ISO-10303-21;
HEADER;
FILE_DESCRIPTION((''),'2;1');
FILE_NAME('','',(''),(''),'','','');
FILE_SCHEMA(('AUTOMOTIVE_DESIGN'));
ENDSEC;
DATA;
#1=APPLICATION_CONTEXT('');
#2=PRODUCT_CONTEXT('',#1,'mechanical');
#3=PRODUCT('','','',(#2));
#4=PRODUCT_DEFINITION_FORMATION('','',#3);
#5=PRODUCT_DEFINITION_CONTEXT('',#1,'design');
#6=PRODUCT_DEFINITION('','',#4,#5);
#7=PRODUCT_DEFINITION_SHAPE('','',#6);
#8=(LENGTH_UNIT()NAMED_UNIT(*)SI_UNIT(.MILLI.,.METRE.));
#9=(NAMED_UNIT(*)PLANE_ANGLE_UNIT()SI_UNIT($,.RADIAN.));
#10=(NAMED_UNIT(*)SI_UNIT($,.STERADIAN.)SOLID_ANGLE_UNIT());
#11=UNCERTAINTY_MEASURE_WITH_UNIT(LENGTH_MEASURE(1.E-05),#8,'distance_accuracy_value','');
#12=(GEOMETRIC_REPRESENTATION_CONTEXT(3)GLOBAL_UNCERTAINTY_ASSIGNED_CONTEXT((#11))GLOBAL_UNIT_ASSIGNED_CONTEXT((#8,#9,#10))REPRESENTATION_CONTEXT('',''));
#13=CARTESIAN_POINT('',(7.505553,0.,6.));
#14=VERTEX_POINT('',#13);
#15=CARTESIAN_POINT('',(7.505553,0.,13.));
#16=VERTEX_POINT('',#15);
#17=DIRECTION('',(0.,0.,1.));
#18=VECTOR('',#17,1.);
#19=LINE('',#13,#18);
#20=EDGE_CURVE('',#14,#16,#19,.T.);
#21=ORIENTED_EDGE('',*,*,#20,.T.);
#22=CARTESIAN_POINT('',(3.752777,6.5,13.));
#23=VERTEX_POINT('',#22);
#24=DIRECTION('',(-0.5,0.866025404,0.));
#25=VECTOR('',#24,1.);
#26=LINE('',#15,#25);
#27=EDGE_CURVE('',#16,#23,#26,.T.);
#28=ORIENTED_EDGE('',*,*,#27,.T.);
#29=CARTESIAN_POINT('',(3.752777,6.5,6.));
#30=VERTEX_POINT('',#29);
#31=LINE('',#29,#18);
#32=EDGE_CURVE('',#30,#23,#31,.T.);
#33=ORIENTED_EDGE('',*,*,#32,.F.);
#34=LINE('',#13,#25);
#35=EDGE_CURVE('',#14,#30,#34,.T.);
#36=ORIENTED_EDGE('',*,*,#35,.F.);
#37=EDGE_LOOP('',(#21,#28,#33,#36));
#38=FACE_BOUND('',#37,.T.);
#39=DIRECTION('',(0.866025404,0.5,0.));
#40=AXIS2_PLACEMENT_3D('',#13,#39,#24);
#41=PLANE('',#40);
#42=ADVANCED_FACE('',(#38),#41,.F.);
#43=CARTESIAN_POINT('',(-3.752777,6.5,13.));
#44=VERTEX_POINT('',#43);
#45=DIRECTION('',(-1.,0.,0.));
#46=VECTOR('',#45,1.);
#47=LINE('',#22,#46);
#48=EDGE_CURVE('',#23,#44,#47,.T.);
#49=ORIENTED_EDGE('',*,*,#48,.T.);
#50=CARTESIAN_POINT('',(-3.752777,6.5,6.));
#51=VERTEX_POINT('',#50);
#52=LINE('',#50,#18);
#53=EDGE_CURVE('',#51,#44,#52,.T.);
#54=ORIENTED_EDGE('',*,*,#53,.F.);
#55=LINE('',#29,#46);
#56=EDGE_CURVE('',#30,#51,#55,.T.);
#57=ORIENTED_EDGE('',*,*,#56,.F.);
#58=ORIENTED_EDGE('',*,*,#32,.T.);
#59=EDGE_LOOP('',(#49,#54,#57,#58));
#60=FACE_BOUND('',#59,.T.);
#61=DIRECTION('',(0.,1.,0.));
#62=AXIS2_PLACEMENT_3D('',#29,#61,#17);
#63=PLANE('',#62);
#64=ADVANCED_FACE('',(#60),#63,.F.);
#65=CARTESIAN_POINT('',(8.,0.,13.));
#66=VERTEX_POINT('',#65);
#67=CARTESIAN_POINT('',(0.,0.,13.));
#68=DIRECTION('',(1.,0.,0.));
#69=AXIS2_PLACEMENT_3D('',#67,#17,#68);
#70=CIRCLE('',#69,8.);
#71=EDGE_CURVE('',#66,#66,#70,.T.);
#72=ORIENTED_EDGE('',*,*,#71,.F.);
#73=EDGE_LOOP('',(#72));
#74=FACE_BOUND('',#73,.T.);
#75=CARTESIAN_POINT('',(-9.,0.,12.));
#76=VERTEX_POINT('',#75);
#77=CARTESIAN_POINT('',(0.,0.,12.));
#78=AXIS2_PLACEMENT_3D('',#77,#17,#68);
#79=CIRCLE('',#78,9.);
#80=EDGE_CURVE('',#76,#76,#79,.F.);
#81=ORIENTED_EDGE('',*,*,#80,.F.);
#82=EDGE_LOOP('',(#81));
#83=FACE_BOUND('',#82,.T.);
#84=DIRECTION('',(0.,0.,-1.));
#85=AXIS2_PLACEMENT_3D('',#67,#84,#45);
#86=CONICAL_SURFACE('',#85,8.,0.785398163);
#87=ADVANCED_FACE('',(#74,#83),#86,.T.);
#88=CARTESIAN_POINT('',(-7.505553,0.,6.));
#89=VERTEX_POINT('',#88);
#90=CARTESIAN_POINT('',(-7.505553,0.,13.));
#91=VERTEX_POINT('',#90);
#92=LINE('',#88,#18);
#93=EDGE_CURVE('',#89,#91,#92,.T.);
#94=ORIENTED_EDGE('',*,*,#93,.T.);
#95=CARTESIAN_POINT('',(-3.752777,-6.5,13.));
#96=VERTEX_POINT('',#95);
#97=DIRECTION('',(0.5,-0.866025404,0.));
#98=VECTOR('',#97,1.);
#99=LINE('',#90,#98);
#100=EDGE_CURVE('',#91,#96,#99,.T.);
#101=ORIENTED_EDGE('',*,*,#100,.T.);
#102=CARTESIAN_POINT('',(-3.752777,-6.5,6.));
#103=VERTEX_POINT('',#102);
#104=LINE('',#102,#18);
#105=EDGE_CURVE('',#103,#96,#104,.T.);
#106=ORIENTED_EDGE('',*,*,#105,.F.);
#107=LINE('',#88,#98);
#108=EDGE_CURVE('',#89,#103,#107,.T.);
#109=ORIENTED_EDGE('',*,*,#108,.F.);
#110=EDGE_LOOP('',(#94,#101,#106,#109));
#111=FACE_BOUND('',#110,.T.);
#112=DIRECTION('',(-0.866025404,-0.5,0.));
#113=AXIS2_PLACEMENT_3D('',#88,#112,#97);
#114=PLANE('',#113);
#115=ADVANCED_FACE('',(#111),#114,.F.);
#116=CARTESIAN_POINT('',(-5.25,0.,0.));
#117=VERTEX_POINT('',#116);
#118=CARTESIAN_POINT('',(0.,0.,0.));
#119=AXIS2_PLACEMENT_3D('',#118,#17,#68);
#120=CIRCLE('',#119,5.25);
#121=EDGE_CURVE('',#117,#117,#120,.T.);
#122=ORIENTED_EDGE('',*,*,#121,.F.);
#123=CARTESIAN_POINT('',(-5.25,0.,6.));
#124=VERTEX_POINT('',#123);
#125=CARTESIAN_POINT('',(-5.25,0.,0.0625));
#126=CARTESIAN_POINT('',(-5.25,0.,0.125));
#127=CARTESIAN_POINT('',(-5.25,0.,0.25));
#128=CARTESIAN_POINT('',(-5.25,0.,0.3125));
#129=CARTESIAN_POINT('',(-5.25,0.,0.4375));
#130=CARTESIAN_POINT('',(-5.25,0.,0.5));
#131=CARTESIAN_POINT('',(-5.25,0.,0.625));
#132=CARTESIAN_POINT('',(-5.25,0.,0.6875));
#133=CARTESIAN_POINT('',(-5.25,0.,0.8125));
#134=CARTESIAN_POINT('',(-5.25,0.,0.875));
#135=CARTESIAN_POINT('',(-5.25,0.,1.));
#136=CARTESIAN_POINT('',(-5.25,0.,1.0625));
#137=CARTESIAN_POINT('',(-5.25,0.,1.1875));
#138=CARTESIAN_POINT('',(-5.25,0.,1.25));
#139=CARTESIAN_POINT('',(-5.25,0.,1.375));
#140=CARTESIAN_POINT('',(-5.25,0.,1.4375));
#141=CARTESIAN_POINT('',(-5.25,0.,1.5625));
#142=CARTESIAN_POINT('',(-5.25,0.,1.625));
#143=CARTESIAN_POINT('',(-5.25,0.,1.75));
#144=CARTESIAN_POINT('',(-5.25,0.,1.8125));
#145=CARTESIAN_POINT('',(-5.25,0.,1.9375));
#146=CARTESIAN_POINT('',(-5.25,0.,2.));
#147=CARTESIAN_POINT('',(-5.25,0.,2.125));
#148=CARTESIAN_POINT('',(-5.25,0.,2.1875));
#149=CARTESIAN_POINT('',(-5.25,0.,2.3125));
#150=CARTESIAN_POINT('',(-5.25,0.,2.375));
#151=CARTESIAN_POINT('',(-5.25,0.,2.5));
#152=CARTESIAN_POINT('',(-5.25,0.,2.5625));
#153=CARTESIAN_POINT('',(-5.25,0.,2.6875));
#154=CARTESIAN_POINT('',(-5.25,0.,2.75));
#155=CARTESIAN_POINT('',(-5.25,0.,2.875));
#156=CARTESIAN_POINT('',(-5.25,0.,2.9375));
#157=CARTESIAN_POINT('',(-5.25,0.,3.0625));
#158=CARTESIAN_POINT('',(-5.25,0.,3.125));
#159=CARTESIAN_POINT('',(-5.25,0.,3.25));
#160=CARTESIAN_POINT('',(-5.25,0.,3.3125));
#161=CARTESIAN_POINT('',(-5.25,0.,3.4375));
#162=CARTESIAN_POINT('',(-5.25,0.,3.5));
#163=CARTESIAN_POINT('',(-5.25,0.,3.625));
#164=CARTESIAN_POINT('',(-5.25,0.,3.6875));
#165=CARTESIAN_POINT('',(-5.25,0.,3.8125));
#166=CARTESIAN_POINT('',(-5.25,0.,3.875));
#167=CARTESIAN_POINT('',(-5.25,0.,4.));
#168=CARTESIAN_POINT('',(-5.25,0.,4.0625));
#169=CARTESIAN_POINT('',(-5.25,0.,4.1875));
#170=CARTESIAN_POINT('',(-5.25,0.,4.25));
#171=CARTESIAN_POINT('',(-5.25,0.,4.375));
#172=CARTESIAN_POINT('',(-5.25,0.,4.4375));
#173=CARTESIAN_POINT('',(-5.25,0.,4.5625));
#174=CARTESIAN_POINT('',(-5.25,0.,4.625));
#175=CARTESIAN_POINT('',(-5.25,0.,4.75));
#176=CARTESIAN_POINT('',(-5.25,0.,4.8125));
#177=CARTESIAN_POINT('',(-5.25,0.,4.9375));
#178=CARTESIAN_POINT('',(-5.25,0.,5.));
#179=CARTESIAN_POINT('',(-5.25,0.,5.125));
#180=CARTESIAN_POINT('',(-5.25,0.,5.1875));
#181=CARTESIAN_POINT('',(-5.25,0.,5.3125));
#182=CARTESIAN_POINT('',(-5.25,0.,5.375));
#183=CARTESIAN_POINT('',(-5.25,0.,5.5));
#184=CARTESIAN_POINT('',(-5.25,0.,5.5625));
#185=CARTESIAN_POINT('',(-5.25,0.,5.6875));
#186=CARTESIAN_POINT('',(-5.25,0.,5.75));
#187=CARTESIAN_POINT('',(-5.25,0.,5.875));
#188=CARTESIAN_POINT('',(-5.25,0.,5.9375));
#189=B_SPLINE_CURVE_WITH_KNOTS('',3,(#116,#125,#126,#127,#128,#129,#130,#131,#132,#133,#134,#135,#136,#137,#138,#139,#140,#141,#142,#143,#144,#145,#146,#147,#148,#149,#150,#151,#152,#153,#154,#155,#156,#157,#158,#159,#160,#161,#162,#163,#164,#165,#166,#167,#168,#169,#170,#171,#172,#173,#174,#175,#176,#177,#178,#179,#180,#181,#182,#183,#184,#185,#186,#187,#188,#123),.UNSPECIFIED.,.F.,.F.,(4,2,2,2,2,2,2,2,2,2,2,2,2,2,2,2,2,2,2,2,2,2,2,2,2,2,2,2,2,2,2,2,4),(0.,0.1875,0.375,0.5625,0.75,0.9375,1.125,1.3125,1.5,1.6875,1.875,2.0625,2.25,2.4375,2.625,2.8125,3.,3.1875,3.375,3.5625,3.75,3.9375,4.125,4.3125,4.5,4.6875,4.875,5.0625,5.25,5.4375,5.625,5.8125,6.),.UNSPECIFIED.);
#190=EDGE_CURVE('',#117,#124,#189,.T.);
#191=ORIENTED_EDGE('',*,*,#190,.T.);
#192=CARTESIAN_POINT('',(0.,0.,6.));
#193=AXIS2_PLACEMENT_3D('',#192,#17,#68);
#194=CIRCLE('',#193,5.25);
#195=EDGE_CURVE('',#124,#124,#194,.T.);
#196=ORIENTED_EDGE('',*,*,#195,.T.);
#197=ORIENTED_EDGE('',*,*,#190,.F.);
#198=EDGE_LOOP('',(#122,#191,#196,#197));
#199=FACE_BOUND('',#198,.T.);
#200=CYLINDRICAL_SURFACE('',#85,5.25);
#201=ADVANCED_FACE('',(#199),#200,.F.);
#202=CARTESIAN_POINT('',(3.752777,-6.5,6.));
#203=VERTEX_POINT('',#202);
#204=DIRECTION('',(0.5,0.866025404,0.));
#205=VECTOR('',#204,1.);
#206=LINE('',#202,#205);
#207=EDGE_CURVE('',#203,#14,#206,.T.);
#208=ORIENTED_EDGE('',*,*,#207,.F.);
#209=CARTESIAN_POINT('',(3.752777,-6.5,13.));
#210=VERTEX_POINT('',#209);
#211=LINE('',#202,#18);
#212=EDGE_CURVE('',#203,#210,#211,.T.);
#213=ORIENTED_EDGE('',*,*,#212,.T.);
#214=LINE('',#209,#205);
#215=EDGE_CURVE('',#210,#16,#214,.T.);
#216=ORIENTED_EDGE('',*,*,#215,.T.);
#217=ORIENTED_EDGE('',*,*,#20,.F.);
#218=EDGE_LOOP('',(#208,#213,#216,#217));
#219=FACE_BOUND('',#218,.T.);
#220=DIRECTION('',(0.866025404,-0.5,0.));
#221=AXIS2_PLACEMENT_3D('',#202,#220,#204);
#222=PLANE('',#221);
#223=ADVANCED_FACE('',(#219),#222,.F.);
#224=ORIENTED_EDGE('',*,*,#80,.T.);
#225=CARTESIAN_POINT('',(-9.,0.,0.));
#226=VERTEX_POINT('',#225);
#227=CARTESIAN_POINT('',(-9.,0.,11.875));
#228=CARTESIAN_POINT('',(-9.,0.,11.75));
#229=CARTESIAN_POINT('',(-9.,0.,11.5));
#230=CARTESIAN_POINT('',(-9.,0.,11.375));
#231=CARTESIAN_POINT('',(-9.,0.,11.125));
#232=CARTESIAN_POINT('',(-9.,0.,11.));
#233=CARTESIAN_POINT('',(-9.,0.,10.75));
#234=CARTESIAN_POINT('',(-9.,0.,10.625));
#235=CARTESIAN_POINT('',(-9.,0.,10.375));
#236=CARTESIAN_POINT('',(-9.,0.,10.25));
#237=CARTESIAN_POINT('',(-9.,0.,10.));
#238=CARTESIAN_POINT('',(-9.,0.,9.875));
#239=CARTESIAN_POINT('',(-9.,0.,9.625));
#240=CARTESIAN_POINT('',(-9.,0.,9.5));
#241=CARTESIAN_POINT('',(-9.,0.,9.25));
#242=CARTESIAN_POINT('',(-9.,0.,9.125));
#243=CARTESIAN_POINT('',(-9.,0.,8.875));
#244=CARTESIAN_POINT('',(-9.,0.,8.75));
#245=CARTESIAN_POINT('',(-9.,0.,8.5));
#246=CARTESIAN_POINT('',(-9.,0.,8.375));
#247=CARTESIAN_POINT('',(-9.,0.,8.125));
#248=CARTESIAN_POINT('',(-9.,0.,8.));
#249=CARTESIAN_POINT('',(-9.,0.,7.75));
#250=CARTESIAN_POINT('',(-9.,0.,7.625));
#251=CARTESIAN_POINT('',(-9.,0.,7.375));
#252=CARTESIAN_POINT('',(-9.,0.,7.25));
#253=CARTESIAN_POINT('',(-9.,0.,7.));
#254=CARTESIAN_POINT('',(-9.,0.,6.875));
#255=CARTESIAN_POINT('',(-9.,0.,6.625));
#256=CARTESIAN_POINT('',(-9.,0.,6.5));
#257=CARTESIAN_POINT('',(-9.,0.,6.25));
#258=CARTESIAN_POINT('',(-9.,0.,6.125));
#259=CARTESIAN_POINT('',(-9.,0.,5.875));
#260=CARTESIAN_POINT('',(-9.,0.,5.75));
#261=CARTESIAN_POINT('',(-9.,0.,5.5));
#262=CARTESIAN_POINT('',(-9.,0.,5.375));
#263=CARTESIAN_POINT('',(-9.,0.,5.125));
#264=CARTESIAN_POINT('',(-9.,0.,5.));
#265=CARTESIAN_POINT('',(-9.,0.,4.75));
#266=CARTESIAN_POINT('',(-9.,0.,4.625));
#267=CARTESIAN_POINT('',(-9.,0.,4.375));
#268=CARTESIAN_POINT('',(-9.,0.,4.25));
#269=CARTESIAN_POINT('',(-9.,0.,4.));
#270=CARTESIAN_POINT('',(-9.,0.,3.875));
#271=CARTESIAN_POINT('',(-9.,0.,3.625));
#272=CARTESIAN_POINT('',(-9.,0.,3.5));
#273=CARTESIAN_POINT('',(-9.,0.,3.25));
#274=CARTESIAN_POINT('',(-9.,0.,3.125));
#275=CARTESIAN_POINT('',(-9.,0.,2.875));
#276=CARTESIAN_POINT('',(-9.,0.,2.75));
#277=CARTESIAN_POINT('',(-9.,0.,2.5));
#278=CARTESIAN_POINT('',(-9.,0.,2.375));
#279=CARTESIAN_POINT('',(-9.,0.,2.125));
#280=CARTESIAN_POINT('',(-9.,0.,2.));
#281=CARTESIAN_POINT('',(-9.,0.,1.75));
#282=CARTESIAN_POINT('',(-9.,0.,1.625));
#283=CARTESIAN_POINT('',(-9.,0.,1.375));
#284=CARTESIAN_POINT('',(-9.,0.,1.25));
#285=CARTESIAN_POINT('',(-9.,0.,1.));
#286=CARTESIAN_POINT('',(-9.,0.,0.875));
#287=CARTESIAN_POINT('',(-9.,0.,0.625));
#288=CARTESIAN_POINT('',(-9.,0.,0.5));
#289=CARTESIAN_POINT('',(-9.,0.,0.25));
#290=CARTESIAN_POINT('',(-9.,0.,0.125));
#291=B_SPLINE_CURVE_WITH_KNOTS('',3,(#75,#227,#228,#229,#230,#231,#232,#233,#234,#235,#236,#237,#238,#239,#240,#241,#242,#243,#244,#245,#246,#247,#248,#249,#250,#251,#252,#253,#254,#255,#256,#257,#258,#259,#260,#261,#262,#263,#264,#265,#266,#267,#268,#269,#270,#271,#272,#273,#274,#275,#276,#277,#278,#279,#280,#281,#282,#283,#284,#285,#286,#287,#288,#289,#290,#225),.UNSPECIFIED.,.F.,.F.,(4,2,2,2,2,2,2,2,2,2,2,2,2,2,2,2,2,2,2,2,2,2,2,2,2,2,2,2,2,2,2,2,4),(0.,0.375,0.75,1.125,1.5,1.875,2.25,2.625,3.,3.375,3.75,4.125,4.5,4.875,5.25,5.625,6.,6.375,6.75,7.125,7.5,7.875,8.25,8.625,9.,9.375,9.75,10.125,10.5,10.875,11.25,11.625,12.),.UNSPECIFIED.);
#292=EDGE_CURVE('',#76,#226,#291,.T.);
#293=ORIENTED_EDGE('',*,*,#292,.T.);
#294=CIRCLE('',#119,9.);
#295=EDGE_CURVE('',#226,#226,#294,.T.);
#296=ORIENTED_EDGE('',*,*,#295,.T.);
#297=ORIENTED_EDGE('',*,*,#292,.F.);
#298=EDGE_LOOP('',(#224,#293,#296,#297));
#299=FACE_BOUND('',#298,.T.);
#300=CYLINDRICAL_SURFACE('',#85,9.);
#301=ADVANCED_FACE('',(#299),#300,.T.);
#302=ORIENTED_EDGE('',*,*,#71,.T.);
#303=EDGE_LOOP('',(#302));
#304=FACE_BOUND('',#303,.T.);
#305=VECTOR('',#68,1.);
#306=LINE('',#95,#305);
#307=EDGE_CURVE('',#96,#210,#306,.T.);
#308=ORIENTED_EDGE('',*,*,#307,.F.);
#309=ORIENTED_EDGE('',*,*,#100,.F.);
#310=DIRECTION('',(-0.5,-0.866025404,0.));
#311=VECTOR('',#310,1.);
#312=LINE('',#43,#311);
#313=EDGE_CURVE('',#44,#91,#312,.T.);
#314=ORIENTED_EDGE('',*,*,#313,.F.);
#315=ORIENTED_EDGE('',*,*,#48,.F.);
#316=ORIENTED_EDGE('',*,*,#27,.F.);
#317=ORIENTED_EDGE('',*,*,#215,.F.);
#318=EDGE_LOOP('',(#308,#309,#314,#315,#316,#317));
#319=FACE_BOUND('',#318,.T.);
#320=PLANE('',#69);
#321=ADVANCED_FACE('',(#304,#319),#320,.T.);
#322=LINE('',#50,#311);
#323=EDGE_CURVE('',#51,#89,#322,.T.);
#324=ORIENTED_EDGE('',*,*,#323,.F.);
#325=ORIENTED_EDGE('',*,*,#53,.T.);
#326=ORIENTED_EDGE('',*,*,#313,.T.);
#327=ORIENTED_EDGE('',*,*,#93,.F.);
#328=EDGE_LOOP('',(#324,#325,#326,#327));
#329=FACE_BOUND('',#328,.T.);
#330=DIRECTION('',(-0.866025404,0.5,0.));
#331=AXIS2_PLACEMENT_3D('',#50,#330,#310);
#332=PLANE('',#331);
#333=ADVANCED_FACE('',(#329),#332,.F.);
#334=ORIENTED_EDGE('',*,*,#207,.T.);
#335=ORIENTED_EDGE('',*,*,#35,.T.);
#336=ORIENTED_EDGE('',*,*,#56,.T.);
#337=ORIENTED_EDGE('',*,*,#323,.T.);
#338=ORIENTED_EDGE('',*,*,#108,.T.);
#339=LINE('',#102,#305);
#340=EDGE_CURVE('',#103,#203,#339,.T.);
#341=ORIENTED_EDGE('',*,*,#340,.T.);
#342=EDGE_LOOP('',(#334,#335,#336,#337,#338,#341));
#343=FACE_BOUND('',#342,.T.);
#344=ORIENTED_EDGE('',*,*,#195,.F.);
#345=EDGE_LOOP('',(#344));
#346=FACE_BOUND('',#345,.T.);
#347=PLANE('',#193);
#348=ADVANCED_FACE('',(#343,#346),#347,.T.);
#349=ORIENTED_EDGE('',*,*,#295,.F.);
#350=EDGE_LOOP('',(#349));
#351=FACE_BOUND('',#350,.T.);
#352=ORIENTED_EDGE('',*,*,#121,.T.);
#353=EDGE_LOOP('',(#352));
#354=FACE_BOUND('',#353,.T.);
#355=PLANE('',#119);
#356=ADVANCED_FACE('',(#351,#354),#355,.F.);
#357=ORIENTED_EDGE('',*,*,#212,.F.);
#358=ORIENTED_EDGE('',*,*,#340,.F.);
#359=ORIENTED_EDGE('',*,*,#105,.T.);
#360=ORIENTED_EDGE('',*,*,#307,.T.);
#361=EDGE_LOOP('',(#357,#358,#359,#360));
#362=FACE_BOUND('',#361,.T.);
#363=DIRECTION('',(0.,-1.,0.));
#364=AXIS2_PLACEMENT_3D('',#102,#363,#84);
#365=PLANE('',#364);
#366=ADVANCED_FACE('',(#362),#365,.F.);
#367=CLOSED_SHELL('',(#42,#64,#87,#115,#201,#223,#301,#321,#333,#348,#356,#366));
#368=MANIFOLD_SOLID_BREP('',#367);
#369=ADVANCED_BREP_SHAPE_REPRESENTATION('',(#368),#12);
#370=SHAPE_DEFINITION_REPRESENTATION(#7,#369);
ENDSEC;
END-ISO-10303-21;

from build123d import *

# Parameters (mm, degrees)
ESQUISSE1_R             = 9
ESQUISSE1_R_2           = 5.25
BOSS_EXTRU_1_DEPTH      = 13
ENL_V_MAT_EXTRU_1_DEPTH = 7
CHANFREIN1_SIZE         = 1


with BuildPart() as part:
    # Esquisse1 → Boss.-Extru.1 (new body)
    with BuildSketch(Plane.XY):
        with Locations(Location((0, 0, 0), (0, 0, 180))):
            Circle(ESQUISSE1_R)
        with Locations(Location((0, 0, 0), (0, 0, 180))):
            Circle(ESQUISSE1_R_2, mode=Mode.SUBTRACT)
    extrude(amount=BOSS_EXTRU_1_DEPTH)

    # Esquisse2 → Enlèv. mat.-Extru.1 (cut)
    with BuildSketch(Plane.XY.offset(13)):
        Polygon((3.75277675, 6.5), (-3.75277675, 6.5), (-7.505553499, 0), (-3.75277675, -6.5), (3.75277675, -6.5), (7.505553499, 0), align=None)
    extrude(amount=-ENL_V_MAT_EXTRU_1_DEPTH, mode=Mode.SUBTRACT)

    # Chanfrein1
    chanfrein1_edges = [part.edges().sort_by_distance(p)[0] for p in [
        (9, 0, 13),
    ]]
    chamfer(chanfrein1_edges, length=CHANFREIN1_SIZE)


solid = part.part
